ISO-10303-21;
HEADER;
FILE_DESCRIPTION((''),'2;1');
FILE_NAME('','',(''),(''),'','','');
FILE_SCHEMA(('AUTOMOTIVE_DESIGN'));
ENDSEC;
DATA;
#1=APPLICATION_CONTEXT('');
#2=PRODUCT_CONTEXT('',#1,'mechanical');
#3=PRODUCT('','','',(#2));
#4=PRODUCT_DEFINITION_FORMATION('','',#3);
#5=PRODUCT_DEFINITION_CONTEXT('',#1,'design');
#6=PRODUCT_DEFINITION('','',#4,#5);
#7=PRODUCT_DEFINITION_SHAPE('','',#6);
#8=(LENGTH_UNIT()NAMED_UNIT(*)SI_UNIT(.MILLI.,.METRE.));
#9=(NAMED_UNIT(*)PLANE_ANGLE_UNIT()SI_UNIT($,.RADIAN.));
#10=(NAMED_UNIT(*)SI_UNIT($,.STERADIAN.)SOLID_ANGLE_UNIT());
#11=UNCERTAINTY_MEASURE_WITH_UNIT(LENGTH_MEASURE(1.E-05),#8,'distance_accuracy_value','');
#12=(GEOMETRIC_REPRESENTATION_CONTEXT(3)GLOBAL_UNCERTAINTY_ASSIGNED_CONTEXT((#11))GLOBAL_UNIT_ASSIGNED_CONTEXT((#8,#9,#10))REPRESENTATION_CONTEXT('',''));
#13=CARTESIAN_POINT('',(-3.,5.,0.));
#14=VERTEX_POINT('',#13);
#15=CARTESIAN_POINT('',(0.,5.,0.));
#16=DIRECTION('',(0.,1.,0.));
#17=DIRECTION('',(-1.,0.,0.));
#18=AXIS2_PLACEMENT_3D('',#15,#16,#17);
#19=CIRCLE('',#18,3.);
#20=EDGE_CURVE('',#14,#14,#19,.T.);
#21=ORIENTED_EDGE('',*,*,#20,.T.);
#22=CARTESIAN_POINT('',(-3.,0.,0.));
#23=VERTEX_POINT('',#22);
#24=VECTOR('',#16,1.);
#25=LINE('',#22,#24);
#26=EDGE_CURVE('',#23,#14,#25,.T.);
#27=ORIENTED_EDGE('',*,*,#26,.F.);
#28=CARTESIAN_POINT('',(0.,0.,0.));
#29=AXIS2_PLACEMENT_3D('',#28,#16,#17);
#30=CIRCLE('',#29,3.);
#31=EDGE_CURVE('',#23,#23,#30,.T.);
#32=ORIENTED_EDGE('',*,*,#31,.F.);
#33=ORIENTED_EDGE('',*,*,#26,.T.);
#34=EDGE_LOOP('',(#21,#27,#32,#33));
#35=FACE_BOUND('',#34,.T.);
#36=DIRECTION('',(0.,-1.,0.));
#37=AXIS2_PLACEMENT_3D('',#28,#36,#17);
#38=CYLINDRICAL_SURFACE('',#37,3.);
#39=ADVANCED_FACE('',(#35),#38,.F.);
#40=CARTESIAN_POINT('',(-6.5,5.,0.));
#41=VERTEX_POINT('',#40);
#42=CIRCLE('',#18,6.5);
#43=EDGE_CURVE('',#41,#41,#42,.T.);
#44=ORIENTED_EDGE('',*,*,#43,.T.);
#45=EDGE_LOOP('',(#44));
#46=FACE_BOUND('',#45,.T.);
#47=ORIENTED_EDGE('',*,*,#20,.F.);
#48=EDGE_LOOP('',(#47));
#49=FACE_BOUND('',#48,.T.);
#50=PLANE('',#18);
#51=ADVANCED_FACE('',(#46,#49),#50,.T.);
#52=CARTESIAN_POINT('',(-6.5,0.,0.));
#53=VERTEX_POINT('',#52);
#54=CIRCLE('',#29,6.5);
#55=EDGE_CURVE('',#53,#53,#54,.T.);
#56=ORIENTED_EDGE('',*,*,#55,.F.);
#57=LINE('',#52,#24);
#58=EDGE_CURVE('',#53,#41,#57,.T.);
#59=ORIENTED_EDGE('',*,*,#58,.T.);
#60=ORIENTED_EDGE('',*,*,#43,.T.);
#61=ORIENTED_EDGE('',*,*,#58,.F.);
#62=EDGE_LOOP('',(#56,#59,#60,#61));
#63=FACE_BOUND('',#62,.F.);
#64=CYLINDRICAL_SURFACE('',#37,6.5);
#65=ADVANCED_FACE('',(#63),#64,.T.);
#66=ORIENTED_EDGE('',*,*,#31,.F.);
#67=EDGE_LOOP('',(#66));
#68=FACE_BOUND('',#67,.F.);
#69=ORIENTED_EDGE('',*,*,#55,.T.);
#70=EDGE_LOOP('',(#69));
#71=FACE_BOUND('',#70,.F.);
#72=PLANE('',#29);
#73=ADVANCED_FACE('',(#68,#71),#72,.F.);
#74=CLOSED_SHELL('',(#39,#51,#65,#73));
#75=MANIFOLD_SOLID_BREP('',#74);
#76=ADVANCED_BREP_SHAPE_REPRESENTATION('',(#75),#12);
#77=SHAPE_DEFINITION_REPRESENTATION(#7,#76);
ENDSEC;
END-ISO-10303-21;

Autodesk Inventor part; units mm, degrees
ref_plane "YZ Plane" through (0, 0, 0) normal (1, 0, 0) x (0, 1, 0)
ref_plane "XZ Plane" through (0, 0, 0) normal (0, 1, 0) x (-1, 0, 0)
ref_plane "XY Plane" through (0, 0, 0) normal (0, 0, 1) x (1, 0, 0)
sketch "Sketch1" plane through (0, 0, 0) normal (0, 1, 0) x (-1, 0, 0)
  circle A0 centre (0, 0) radius 6.5
  circle A1 centre (0, 0) radius 3
  dimension "d0" = 13
  dimension "d1" = 6
extrude "Extrusion1" add sketch "Sketch1" along normal blind 5
properties part number "6x13x5 Bearings"
